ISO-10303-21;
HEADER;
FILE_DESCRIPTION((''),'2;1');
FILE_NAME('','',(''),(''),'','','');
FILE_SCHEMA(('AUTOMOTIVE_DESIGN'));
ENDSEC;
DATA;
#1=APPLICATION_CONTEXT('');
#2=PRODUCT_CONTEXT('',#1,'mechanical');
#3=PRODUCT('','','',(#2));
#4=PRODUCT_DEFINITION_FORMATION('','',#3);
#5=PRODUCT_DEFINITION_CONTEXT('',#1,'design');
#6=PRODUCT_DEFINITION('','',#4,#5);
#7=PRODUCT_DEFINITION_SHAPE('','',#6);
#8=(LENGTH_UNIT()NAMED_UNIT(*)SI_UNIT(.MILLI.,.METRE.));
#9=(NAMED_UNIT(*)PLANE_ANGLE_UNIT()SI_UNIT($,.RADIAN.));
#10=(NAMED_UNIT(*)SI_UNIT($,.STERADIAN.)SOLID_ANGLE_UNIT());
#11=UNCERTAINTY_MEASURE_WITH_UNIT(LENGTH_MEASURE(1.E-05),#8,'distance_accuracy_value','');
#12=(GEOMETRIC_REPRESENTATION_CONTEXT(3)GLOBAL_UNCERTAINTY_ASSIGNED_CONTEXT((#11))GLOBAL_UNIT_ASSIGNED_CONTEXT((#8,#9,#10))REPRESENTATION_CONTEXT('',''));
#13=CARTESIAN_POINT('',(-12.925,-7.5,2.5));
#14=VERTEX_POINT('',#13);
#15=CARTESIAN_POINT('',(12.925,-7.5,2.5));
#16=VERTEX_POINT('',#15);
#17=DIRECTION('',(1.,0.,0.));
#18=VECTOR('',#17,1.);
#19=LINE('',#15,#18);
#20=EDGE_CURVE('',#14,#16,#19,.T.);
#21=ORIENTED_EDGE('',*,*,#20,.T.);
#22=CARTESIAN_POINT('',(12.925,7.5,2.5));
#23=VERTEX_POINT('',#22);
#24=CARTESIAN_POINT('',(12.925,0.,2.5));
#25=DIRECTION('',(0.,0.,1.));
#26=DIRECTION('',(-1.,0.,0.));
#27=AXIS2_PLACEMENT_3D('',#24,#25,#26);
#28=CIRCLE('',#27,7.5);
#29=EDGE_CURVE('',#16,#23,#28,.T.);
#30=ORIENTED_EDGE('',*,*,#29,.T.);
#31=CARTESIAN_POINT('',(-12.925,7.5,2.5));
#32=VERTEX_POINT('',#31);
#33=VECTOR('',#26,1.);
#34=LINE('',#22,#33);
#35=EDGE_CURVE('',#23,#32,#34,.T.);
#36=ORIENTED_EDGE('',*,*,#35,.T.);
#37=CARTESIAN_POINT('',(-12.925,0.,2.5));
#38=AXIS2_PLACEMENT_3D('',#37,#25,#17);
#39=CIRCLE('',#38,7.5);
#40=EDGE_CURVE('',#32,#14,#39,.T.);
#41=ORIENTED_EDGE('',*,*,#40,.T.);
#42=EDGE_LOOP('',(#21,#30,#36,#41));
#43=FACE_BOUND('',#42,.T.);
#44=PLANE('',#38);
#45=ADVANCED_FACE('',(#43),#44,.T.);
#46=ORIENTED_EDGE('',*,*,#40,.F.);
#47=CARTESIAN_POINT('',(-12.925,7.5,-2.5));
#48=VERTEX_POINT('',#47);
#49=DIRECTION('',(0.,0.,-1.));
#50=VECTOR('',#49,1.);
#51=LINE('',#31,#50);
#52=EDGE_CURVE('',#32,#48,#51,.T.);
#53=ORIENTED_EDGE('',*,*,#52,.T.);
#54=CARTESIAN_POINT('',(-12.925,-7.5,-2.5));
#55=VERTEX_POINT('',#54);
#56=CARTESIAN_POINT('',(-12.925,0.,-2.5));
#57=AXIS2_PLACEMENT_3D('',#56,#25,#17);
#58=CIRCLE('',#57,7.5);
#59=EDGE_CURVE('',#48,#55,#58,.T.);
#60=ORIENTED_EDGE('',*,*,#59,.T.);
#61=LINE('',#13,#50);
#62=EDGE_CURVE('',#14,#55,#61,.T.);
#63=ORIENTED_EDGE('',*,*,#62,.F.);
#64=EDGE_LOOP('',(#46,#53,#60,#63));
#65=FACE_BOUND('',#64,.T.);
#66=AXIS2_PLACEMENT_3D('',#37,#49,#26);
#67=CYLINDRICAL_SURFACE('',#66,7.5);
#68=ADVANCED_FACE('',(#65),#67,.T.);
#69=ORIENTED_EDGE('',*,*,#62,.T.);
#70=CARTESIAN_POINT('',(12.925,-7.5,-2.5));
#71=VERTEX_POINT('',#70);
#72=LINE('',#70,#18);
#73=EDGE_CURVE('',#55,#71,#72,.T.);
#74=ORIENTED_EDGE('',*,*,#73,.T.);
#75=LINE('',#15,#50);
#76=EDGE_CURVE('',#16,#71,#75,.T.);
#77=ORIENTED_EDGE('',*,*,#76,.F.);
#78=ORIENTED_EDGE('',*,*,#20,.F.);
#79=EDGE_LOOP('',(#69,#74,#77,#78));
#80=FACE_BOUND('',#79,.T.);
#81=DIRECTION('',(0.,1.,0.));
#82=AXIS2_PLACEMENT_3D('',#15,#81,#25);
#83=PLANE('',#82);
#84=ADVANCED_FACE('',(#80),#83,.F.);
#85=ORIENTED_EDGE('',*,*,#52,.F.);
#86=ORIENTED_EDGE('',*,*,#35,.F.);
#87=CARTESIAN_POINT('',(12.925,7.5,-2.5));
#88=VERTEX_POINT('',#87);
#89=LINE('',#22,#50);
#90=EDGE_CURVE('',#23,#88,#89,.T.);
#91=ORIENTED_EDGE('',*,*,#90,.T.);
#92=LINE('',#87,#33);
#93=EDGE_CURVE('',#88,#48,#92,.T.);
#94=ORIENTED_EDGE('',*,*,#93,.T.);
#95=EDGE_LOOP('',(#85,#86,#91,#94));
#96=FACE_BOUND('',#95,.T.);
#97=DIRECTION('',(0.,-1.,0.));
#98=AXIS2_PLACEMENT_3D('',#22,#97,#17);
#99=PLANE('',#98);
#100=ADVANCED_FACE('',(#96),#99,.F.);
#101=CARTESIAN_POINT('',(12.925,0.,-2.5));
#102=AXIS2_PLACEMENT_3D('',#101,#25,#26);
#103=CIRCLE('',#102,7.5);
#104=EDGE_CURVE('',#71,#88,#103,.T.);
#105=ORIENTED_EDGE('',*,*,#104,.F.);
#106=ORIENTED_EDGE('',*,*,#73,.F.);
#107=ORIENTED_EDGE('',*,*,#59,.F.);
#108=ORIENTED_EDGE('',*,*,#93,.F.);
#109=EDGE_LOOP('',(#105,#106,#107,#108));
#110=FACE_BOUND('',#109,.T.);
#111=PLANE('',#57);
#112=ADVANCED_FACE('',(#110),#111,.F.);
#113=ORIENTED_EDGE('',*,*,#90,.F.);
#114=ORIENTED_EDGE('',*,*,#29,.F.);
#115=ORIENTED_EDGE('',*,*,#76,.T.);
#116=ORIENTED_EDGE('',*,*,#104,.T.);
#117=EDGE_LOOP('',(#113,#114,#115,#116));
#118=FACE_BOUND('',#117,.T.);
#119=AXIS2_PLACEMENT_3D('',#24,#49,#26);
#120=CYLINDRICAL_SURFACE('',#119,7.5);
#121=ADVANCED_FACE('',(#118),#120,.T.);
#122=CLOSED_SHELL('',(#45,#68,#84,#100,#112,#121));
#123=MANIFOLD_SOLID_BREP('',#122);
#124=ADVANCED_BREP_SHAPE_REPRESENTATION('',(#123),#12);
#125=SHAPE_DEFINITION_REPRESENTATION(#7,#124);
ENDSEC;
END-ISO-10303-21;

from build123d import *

# Parameters (mm, degrees)
EXTRUDE_1_DEPTH = 2.5


with BuildPart() as part:
    # 草图1 → 凸台-拉伸1 (new body, symmetric)
    with BuildSketch(Plane.XY):
        with BuildLine():
            Line((12.925, 7.5), (-12.925, 7.5))
            ThreePointArc((-12.925, 7.5), (-20.425, 0), (-12.925, -7.5))
            Line((-12.925, -7.5), (12.925, -7.5))
            ThreePointArc((12.925, -7.5), (20.425, 0), (12.925, 7.5))
        make_face()
    extrude(amount=EXTRUDE_1_DEPTH, both=True)


solid = part.part
